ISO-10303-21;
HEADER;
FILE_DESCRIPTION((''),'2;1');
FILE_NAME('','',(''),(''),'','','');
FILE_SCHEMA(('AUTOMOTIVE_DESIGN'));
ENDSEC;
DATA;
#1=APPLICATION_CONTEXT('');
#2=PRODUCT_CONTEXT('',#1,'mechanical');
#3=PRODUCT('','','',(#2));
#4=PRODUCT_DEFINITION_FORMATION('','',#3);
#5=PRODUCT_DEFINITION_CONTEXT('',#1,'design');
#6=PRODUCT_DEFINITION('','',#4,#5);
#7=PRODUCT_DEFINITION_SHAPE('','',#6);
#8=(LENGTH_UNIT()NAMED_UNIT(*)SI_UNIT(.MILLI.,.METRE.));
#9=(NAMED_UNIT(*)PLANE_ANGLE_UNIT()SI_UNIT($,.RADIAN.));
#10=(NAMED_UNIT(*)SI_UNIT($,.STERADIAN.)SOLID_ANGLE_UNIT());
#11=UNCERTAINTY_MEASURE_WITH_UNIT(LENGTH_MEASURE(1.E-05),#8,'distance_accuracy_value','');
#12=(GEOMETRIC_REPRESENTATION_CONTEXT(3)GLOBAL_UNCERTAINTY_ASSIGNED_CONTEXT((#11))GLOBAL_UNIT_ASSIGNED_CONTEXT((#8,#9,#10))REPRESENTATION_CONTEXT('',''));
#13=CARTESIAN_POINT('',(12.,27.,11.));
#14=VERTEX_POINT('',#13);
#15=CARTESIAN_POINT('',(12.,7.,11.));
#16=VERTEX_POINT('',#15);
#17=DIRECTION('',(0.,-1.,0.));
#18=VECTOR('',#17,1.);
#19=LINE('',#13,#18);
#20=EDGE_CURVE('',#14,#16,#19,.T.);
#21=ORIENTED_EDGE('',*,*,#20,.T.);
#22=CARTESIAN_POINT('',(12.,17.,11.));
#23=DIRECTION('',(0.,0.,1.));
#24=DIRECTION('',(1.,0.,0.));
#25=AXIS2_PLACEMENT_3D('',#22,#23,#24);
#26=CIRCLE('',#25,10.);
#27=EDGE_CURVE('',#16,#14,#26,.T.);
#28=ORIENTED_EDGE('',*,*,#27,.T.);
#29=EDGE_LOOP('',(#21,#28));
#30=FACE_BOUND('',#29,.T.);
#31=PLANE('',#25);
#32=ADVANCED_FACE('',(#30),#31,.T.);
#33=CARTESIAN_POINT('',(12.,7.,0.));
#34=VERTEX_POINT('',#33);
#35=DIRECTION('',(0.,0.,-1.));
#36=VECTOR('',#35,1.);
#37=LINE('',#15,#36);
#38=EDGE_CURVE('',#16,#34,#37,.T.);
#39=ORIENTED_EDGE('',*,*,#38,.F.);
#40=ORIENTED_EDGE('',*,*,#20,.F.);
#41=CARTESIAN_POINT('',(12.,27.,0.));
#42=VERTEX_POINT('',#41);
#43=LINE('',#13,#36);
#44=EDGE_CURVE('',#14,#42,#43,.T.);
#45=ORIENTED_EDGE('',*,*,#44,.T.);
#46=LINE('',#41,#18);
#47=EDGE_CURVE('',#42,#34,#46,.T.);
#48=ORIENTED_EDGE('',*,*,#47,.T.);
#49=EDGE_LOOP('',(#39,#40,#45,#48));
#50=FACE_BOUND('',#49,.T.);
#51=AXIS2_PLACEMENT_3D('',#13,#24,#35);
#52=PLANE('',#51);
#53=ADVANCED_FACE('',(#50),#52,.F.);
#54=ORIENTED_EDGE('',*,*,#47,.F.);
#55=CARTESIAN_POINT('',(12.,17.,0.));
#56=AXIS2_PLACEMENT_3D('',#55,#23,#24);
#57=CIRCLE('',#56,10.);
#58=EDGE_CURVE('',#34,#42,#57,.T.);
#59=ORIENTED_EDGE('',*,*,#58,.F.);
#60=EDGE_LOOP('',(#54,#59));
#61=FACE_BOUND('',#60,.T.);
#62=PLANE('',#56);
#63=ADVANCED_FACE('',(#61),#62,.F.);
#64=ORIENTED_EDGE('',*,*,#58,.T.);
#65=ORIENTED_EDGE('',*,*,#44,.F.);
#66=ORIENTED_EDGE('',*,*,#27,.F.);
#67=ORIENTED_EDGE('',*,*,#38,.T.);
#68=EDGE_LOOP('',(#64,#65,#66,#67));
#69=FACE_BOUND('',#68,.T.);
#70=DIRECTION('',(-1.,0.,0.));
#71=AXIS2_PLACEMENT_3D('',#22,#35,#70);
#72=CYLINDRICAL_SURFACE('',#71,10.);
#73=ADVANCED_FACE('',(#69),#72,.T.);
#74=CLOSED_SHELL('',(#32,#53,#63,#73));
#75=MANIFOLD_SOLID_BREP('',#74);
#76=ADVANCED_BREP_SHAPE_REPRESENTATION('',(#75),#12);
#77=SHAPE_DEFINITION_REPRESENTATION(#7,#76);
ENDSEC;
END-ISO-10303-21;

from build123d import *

# Parameters (mm, degrees)
BOSS_EXTRUDE1_DEPTH = 11


with BuildPart() as part:
    # Sketch1 → Boss-Extrude1 (new body)
    with BuildSketch(Plane.XY):
        with BuildLine():
            Line((12, 27), (12, 7))
            ThreePointArc((12, 7), (22, 17), (12, 27))
        make_face()
    extrude(amount=BOSS_EXTRUDE1_DEPTH)


solid = part.part
